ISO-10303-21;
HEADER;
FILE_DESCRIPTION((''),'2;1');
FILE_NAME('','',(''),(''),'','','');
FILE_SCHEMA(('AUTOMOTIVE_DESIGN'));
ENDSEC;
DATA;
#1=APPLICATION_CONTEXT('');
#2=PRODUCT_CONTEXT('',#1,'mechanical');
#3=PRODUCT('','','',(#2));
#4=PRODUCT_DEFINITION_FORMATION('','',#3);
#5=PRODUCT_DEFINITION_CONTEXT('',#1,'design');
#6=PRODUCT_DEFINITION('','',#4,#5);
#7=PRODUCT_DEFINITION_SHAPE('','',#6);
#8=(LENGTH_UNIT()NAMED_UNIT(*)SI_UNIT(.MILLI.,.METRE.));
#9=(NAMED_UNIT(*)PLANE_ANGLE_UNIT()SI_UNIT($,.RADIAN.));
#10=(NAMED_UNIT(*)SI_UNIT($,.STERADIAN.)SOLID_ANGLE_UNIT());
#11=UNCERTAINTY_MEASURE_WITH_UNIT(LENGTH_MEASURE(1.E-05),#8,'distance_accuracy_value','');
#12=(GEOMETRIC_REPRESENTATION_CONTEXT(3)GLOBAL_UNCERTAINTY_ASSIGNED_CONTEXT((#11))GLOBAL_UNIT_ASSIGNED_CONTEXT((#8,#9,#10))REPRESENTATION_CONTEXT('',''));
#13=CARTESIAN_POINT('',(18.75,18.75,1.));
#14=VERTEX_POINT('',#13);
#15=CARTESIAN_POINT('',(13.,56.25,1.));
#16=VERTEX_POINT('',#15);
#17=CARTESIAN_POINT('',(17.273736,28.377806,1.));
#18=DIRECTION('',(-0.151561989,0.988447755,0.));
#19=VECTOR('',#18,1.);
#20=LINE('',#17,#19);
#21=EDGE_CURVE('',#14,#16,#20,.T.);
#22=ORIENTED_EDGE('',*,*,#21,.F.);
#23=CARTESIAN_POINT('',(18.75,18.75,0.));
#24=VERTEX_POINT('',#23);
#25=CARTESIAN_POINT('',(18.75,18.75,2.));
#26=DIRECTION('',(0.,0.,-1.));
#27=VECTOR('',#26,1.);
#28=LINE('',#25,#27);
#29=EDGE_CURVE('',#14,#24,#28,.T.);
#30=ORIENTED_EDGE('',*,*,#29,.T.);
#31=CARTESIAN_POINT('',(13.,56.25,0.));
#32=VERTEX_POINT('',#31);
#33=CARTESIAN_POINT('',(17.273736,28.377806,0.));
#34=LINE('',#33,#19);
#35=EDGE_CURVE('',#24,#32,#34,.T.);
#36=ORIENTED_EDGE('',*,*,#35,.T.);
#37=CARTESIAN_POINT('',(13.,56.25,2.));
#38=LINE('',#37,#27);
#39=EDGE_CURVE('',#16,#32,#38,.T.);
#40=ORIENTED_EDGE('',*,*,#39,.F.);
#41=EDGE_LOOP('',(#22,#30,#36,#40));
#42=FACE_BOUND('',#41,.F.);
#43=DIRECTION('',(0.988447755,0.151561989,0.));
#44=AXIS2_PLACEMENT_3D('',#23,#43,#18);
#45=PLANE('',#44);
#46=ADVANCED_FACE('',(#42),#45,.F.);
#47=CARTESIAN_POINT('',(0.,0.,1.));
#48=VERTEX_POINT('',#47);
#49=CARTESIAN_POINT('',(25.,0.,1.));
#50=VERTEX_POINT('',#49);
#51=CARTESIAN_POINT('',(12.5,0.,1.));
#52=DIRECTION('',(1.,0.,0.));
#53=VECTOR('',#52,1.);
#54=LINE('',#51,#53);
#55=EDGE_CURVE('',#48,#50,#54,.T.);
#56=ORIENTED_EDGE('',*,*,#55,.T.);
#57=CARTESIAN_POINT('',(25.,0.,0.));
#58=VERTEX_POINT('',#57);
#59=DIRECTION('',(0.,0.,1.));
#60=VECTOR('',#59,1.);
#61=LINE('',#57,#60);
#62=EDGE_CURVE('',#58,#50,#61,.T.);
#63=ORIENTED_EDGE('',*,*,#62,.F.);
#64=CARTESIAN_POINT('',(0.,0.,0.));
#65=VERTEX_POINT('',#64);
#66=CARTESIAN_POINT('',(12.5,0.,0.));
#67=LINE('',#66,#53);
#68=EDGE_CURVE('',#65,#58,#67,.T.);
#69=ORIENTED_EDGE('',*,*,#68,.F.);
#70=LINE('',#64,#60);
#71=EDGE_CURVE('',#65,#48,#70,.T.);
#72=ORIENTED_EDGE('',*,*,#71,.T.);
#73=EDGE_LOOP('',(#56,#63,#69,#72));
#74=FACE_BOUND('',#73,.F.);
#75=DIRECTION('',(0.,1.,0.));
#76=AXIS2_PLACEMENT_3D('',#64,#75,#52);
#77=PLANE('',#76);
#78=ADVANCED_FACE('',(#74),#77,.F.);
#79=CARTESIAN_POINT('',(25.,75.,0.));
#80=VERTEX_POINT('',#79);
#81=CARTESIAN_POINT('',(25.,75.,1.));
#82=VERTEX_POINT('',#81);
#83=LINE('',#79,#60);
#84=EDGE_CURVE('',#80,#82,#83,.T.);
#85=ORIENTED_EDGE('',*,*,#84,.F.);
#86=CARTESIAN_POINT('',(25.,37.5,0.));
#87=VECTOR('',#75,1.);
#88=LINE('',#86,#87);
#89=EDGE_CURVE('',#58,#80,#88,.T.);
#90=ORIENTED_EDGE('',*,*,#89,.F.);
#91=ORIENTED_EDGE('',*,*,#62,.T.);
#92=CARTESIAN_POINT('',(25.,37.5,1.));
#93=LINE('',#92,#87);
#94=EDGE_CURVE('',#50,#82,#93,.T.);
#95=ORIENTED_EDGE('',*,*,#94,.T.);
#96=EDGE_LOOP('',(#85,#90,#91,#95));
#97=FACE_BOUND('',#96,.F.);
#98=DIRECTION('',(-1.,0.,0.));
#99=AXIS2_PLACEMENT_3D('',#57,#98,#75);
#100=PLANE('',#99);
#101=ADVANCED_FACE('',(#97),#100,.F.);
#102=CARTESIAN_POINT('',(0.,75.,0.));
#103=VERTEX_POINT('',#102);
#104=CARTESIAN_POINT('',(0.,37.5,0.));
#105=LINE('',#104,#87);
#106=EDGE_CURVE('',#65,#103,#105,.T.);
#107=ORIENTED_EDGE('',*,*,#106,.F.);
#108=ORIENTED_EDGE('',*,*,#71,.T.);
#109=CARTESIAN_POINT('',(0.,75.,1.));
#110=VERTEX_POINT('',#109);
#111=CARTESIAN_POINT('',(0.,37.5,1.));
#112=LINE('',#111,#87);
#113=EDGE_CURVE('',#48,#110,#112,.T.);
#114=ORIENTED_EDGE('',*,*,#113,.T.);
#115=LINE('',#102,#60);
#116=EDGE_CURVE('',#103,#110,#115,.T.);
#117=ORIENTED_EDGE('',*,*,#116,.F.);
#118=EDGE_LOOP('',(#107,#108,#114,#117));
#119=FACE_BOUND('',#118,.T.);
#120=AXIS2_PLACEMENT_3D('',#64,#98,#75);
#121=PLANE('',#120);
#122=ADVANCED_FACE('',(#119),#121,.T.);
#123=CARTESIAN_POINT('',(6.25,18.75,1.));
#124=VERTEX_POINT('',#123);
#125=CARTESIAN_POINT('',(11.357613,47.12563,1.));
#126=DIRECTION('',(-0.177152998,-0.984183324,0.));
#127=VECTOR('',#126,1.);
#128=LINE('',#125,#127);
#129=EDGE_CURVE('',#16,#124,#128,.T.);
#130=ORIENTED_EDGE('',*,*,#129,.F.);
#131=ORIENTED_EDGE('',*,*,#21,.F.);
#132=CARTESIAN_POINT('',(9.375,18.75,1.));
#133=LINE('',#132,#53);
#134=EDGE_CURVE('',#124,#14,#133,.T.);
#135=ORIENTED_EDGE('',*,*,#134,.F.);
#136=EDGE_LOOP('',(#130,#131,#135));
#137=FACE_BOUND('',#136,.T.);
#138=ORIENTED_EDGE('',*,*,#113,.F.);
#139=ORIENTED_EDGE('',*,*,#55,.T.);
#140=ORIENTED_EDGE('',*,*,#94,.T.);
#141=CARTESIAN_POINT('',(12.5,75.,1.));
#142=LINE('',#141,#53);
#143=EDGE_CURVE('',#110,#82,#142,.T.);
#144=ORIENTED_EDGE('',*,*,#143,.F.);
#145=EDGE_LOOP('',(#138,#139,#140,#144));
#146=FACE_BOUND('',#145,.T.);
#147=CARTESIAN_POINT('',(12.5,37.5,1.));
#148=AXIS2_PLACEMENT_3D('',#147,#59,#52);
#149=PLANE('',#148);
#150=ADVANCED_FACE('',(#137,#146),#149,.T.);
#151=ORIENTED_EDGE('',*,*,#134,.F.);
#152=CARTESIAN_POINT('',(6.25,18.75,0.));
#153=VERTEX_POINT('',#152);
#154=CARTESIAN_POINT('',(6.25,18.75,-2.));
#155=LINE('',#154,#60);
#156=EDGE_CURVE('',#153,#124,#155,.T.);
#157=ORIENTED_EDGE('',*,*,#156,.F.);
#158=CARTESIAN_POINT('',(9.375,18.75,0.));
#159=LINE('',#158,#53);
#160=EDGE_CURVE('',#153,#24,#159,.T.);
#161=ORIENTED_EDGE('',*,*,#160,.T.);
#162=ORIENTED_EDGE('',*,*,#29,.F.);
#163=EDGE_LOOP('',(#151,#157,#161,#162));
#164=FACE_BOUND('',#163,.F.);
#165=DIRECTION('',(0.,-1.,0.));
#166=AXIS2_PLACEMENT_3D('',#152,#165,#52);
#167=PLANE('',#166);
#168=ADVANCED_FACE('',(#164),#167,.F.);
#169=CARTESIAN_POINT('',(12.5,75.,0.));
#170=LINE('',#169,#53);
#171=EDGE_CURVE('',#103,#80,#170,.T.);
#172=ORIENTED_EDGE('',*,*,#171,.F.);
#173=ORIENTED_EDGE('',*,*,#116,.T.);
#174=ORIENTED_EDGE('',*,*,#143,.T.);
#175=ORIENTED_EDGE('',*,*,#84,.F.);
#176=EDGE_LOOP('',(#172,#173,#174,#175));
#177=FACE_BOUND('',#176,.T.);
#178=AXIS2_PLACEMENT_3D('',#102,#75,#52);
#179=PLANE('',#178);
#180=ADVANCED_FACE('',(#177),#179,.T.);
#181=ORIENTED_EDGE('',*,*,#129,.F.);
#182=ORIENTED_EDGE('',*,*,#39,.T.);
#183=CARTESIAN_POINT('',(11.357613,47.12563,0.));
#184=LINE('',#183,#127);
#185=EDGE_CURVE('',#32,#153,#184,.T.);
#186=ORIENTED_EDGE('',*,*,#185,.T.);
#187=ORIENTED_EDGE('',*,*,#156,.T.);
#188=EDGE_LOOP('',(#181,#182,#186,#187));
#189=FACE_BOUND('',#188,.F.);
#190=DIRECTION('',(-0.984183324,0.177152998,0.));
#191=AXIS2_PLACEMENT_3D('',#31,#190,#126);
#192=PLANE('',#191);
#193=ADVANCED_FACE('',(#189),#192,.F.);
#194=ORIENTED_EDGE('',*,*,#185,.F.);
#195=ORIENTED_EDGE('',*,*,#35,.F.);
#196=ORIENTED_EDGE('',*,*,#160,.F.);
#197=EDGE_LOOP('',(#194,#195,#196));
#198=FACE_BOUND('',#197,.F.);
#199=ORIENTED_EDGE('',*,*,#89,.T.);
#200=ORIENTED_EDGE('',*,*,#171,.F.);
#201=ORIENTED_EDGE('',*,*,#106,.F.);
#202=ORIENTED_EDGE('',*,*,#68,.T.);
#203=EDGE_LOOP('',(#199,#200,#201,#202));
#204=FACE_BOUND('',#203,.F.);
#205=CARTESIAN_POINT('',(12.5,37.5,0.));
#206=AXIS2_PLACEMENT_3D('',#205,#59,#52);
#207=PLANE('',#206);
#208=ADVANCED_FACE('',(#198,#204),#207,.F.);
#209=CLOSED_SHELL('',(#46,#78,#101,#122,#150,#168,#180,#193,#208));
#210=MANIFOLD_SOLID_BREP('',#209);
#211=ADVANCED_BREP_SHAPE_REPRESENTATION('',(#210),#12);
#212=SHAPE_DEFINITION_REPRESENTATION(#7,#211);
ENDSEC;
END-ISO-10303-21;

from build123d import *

# Parameters (mm, degrees)
PAD001_DEPTH      = 2
PAD001_DEPTH_BACK = 2
SKETCH018_W       = 25
SKETCH018_H       = 75
PAD017_DEPTH      = 1


with BuildPart() as body001:
    # Sketch002 → Pad001 (new body, two sides)
    with BuildSketch(Plane.XY) as pad001_sk:
        Polygon((13, 56.25), (6.25, 18.75), (18.75, 18.75), align=None)
    extrude(amount=PAD001_DEPTH)
    extrude(pad001_sk.sketch, amount=-PAD001_DEPTH_BACK)


with BuildPart() as body016:
    # Sketch018 → Pad017 (new body)
    with BuildSketch(Plane.XY):
        with Locations((12.5, 37.5)):
            Rectangle(SKETCH018_W, SKETCH018_H)
    extrude(amount=PAD017_DEPTH)

    # Boolean001: cut Body001
    add(body001.part, mode=Mode.SUBTRACT)


solid = body016.part
